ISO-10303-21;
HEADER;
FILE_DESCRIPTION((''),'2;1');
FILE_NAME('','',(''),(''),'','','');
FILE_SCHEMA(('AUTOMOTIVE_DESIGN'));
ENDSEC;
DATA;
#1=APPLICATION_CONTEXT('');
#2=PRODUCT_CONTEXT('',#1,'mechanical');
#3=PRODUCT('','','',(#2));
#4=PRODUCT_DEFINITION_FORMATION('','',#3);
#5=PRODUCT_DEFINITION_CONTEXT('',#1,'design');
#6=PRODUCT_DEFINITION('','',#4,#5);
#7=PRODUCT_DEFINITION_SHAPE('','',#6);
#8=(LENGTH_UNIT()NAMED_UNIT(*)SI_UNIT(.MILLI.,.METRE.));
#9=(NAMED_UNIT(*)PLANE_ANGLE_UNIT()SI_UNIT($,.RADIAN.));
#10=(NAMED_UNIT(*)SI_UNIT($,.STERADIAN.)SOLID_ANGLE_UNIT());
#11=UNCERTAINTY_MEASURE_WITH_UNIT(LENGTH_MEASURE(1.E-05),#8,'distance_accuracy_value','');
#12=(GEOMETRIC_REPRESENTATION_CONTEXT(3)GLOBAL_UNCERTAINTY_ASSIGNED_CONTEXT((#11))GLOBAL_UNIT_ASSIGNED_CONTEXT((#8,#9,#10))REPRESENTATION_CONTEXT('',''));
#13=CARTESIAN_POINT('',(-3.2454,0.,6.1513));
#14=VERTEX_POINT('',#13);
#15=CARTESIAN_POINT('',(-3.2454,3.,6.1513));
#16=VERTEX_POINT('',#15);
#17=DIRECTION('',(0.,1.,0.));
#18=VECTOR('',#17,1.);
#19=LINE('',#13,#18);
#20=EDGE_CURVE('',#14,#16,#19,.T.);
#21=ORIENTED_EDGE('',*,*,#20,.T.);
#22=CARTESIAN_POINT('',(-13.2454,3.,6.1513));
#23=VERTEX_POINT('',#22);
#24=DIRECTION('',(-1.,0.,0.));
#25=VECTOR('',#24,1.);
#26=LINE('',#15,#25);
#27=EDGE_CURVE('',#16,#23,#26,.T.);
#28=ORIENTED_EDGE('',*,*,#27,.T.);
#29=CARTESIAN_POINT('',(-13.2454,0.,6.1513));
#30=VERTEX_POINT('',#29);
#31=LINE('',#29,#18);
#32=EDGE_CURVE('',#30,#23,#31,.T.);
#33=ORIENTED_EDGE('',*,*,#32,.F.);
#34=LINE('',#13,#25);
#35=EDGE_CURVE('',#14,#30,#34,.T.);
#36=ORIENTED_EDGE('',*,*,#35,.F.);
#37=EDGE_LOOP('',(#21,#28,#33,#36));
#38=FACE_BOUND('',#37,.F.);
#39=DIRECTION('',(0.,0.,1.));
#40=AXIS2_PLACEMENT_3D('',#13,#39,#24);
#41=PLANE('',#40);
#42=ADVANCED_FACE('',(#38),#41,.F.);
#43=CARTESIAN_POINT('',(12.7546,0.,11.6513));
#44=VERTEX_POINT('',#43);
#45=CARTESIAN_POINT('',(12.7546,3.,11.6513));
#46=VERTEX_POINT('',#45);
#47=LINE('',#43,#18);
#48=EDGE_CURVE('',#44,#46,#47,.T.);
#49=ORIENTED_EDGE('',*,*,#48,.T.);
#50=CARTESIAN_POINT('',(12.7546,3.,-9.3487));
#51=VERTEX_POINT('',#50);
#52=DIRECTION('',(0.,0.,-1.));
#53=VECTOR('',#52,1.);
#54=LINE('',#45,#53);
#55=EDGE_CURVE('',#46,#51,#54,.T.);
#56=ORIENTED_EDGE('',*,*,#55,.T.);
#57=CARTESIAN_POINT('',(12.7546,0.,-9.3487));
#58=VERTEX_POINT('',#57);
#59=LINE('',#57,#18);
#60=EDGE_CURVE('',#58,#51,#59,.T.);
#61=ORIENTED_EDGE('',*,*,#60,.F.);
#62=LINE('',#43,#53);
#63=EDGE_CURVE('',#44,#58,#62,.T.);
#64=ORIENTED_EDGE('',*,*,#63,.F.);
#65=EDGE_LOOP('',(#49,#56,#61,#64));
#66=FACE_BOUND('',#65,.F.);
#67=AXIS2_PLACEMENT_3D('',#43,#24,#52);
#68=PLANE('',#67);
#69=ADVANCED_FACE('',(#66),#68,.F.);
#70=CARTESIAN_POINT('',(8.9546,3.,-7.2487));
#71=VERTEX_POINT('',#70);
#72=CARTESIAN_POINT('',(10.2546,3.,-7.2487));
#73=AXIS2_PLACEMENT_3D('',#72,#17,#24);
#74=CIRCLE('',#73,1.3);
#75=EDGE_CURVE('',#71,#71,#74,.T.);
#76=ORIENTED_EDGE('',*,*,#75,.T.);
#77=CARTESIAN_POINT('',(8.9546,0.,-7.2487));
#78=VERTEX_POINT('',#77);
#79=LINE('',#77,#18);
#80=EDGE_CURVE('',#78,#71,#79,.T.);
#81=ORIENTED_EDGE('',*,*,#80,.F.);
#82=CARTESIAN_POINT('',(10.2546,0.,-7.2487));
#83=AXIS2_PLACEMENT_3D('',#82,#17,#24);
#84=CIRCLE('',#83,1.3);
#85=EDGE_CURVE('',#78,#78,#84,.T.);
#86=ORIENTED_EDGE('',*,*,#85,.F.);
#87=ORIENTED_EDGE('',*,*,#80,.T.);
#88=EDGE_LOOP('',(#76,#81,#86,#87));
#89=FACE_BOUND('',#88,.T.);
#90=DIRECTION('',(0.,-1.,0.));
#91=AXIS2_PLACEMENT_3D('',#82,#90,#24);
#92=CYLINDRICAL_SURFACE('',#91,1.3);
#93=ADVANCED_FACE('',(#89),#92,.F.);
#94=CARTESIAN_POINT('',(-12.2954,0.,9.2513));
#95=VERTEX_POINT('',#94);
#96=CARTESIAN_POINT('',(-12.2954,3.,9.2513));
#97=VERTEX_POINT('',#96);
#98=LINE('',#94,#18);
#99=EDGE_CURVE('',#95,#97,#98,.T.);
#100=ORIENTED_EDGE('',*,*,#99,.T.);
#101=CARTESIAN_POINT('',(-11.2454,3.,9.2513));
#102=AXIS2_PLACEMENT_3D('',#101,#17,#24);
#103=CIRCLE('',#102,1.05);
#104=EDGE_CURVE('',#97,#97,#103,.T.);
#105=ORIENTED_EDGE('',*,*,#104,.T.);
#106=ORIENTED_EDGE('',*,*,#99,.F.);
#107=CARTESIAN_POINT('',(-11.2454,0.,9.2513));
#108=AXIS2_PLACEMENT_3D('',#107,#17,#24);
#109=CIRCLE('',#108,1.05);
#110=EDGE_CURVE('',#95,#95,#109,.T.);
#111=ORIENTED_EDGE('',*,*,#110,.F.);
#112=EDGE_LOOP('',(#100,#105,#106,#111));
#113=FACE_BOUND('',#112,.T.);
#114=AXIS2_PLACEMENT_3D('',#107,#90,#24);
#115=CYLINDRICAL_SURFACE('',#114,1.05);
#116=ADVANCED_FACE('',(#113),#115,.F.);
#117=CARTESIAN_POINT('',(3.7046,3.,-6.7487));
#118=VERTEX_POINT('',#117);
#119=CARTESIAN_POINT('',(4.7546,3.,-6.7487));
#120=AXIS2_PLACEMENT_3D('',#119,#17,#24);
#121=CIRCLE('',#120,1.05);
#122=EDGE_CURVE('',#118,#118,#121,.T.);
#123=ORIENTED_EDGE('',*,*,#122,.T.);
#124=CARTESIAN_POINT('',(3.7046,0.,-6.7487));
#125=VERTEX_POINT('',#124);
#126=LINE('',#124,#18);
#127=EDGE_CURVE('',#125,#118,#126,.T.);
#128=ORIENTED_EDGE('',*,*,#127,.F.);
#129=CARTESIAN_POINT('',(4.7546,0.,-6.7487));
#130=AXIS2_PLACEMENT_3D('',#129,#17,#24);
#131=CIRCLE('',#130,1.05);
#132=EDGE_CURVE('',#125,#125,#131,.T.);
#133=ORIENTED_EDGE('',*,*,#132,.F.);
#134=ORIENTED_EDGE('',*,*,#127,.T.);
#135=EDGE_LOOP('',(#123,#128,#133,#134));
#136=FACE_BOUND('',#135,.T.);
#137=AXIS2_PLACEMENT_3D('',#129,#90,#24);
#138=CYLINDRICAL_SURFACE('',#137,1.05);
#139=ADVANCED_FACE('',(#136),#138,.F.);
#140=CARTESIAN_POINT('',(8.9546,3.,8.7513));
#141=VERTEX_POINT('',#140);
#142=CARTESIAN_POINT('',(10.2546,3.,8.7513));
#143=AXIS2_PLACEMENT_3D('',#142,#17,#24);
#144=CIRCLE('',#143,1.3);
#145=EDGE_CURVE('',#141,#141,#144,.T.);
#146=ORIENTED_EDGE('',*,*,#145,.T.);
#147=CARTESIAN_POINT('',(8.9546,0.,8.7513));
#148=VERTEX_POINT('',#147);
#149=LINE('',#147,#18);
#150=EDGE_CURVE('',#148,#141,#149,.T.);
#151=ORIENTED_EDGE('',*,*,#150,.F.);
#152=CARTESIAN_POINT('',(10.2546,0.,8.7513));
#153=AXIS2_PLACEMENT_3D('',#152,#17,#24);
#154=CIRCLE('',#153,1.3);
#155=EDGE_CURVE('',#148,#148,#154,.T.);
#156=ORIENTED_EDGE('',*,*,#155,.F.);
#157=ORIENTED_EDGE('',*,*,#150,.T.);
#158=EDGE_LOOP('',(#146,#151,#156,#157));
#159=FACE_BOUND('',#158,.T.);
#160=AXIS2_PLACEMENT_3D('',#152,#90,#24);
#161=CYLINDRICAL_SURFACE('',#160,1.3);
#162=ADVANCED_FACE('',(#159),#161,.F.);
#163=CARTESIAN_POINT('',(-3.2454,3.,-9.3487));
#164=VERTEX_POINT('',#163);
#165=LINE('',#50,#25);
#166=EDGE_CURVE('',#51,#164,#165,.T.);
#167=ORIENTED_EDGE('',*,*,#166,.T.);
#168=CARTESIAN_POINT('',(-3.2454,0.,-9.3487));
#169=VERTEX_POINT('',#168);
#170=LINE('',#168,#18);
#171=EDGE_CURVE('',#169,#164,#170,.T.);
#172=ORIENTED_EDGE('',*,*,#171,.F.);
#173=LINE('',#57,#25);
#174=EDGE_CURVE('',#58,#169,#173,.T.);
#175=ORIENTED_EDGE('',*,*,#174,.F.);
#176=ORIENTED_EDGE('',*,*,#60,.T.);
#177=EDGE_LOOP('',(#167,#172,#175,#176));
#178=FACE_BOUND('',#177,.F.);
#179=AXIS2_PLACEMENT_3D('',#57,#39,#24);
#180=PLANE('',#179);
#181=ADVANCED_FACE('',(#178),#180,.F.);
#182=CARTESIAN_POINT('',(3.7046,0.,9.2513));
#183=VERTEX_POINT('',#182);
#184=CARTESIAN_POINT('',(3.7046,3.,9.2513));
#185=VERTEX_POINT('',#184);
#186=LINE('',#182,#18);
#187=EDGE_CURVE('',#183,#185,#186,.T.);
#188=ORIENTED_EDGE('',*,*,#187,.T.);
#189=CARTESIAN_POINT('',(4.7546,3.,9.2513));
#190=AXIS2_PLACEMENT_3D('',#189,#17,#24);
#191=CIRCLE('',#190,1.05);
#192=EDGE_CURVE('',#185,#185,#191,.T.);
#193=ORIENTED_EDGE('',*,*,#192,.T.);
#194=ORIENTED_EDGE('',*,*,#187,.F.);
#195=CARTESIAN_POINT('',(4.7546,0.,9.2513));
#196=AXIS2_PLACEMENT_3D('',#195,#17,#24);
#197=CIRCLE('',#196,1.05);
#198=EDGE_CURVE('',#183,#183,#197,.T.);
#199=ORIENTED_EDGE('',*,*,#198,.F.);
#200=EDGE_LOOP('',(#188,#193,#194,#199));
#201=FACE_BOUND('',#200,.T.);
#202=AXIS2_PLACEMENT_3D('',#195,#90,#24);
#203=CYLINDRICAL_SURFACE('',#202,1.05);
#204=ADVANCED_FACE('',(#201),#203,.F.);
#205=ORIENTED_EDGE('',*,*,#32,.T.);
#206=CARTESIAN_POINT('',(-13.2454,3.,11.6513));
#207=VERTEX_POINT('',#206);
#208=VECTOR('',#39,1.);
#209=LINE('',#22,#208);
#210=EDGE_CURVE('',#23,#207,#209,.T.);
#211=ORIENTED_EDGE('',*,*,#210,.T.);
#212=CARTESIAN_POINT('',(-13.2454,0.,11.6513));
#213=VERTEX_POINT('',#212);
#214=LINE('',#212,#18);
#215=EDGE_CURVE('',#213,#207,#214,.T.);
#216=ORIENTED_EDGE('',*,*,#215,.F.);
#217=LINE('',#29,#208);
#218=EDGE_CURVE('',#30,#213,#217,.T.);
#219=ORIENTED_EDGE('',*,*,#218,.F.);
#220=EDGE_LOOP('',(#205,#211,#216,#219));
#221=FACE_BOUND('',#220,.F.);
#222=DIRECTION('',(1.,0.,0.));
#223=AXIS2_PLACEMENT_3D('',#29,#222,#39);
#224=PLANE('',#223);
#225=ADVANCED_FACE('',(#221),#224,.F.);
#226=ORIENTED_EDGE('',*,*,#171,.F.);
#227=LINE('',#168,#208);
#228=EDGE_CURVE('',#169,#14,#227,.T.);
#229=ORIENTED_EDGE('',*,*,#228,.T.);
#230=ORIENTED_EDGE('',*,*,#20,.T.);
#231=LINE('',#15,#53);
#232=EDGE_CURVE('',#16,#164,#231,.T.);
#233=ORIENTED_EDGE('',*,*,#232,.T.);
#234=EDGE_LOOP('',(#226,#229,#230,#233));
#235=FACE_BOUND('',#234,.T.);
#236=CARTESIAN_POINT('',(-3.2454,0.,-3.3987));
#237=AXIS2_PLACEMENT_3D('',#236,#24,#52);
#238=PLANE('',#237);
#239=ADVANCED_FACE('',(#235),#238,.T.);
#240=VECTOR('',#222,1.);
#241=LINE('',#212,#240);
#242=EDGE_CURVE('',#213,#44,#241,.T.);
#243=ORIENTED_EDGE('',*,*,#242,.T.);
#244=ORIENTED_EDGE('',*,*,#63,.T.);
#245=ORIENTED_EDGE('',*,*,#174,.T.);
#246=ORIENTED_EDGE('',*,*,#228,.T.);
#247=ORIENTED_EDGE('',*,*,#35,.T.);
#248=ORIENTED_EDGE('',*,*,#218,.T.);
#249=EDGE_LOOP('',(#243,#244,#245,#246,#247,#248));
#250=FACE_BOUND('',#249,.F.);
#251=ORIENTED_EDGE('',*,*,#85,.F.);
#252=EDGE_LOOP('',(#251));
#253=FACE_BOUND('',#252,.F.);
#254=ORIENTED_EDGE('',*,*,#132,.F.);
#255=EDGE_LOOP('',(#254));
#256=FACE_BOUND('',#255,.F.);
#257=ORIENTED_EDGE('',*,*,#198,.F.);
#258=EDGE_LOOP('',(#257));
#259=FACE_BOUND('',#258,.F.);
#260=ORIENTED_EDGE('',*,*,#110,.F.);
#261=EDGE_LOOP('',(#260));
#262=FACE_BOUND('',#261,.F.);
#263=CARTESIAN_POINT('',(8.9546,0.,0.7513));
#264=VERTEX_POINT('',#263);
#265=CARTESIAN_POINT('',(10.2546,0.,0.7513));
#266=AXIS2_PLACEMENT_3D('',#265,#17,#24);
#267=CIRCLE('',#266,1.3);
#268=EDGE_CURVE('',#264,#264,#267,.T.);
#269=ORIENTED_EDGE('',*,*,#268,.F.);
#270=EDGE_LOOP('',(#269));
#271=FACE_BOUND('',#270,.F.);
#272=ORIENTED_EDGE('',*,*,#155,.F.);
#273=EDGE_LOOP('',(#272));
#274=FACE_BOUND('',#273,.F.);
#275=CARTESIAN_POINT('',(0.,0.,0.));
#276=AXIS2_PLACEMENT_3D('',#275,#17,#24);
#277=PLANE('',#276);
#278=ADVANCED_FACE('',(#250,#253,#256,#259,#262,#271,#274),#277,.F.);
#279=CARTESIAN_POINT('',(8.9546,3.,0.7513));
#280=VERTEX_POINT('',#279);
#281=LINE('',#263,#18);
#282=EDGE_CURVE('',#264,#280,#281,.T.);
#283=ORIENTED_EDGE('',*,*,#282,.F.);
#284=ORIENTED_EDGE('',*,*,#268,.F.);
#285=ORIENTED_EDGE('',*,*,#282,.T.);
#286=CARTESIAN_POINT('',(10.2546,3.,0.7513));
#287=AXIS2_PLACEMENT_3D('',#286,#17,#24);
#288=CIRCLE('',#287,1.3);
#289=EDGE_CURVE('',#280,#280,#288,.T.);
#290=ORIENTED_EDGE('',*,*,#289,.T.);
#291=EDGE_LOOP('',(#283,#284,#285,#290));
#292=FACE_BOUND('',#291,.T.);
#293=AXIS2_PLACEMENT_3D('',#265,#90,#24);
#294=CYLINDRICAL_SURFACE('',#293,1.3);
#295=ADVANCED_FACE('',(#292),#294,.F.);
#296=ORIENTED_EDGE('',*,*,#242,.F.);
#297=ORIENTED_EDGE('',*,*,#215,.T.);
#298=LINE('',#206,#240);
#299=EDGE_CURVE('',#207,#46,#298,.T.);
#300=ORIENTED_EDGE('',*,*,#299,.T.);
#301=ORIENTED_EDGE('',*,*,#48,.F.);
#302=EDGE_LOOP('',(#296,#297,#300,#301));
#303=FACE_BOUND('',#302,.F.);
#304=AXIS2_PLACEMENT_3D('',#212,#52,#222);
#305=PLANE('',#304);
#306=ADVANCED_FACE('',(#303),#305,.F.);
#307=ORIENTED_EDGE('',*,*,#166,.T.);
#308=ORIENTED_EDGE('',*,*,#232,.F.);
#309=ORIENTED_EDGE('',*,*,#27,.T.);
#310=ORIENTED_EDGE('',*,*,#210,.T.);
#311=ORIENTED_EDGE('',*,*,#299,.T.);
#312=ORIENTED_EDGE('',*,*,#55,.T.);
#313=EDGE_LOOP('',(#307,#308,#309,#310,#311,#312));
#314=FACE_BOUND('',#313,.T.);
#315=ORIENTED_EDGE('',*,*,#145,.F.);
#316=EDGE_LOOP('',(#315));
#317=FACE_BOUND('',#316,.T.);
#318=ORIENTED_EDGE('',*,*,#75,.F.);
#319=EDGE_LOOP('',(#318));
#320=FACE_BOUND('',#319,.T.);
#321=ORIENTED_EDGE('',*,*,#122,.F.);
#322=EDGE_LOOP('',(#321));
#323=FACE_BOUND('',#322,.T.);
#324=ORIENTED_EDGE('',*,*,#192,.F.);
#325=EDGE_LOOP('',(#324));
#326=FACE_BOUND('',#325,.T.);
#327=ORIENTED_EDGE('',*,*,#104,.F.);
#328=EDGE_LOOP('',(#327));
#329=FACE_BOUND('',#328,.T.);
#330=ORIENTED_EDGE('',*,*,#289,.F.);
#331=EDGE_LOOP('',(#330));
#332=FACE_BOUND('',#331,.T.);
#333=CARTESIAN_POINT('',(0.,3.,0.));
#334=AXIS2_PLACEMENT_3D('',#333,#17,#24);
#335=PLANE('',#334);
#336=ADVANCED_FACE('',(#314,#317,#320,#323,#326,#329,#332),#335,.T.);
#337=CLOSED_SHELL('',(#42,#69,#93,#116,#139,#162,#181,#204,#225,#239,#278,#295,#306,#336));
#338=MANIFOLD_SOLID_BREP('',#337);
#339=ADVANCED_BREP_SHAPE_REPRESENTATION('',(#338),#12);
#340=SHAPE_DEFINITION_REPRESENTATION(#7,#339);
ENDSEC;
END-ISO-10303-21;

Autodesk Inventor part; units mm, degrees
ref_plane "YZ Plane" through (0, 0, 0) normal (1, 0, 0) x (0, 1, 0)
ref_plane "XZ Plane" through (0, 0, 0) normal (0, 1, 0) x (-1, 0, 0)
ref_plane "XY Plane" through (0, 0, 0) normal (0, 0, 1) x (1, 0, 0)
sketch "Эскиз1" plane through (0, 0, 0) normal (0, 1, 0) x (-1, 0, 0)
  circle A0 centre (-10.2546, 8.7513) radius 1.3
  circle A1 centre (-4.7546, 9.2513) radius 1.05
  circle A2 centre (-10.2546, 0.7513) radius 1.3
  circle A3 centre (-10.2546, -7.2487) radius 1.3
  circle A4 centre (-4.7546, -6.7487) radius 1.05
  circle A5 centre (11.2454, 9.2513) radius 1.05
  line L0 (-6.7546, 3.1513) -> (13.2454, 3.1513)
  line L1 (-6.7546, -3.3987) -> (-6.7546, 3.1513)
  line L2 (13.2454, -3.3987) -> (-6.7546, -3.3987)
  line L3 (13.2454, 3.1513) -> (13.2454, -3.3987)
  line L4 (3.2454, 3.1513) -> (3.2454, 6.1513)
  line L5 (3.2454, 6.1513) -> (13.2454, 6.1513)
  line L6 (13.2454, 6.1513) -> (13.2454, 11.6513)
  line L7 (13.2454, 11.6513) -> (-12.7546, 11.6513)
  line L8 (-12.7546, 11.6513) -> (-12.7546, -9.3487)
  line L9 (-12.7546, -9.3487) -> (3.2454, -9.3487)
  line L10 (3.2454, -3.3987) -> (3.2454, -6.3987)
  line L11 (3.2454, -6.3987) -> (3.2454, -9.3487)
  line L12 (3.2454, 3.1513) -> (3.2454, -3.3987)
  point P0 (0, 0)
  dimension "d0" = 3
  dimension "d1" = 5.5
  dimension "d2" = 26
  dimension "d3" = 21
  dimension "d4" = 3
extrude "Выдавливание1" add sketch "Эскиз1" along normal blind 3 contours L1 L2 L10 L11 L9 L8 L7 L6 L5 L4 L0 | L0 L12 L2 L1
properties part number "КВ33.044.407 - Заглушка разъема"
